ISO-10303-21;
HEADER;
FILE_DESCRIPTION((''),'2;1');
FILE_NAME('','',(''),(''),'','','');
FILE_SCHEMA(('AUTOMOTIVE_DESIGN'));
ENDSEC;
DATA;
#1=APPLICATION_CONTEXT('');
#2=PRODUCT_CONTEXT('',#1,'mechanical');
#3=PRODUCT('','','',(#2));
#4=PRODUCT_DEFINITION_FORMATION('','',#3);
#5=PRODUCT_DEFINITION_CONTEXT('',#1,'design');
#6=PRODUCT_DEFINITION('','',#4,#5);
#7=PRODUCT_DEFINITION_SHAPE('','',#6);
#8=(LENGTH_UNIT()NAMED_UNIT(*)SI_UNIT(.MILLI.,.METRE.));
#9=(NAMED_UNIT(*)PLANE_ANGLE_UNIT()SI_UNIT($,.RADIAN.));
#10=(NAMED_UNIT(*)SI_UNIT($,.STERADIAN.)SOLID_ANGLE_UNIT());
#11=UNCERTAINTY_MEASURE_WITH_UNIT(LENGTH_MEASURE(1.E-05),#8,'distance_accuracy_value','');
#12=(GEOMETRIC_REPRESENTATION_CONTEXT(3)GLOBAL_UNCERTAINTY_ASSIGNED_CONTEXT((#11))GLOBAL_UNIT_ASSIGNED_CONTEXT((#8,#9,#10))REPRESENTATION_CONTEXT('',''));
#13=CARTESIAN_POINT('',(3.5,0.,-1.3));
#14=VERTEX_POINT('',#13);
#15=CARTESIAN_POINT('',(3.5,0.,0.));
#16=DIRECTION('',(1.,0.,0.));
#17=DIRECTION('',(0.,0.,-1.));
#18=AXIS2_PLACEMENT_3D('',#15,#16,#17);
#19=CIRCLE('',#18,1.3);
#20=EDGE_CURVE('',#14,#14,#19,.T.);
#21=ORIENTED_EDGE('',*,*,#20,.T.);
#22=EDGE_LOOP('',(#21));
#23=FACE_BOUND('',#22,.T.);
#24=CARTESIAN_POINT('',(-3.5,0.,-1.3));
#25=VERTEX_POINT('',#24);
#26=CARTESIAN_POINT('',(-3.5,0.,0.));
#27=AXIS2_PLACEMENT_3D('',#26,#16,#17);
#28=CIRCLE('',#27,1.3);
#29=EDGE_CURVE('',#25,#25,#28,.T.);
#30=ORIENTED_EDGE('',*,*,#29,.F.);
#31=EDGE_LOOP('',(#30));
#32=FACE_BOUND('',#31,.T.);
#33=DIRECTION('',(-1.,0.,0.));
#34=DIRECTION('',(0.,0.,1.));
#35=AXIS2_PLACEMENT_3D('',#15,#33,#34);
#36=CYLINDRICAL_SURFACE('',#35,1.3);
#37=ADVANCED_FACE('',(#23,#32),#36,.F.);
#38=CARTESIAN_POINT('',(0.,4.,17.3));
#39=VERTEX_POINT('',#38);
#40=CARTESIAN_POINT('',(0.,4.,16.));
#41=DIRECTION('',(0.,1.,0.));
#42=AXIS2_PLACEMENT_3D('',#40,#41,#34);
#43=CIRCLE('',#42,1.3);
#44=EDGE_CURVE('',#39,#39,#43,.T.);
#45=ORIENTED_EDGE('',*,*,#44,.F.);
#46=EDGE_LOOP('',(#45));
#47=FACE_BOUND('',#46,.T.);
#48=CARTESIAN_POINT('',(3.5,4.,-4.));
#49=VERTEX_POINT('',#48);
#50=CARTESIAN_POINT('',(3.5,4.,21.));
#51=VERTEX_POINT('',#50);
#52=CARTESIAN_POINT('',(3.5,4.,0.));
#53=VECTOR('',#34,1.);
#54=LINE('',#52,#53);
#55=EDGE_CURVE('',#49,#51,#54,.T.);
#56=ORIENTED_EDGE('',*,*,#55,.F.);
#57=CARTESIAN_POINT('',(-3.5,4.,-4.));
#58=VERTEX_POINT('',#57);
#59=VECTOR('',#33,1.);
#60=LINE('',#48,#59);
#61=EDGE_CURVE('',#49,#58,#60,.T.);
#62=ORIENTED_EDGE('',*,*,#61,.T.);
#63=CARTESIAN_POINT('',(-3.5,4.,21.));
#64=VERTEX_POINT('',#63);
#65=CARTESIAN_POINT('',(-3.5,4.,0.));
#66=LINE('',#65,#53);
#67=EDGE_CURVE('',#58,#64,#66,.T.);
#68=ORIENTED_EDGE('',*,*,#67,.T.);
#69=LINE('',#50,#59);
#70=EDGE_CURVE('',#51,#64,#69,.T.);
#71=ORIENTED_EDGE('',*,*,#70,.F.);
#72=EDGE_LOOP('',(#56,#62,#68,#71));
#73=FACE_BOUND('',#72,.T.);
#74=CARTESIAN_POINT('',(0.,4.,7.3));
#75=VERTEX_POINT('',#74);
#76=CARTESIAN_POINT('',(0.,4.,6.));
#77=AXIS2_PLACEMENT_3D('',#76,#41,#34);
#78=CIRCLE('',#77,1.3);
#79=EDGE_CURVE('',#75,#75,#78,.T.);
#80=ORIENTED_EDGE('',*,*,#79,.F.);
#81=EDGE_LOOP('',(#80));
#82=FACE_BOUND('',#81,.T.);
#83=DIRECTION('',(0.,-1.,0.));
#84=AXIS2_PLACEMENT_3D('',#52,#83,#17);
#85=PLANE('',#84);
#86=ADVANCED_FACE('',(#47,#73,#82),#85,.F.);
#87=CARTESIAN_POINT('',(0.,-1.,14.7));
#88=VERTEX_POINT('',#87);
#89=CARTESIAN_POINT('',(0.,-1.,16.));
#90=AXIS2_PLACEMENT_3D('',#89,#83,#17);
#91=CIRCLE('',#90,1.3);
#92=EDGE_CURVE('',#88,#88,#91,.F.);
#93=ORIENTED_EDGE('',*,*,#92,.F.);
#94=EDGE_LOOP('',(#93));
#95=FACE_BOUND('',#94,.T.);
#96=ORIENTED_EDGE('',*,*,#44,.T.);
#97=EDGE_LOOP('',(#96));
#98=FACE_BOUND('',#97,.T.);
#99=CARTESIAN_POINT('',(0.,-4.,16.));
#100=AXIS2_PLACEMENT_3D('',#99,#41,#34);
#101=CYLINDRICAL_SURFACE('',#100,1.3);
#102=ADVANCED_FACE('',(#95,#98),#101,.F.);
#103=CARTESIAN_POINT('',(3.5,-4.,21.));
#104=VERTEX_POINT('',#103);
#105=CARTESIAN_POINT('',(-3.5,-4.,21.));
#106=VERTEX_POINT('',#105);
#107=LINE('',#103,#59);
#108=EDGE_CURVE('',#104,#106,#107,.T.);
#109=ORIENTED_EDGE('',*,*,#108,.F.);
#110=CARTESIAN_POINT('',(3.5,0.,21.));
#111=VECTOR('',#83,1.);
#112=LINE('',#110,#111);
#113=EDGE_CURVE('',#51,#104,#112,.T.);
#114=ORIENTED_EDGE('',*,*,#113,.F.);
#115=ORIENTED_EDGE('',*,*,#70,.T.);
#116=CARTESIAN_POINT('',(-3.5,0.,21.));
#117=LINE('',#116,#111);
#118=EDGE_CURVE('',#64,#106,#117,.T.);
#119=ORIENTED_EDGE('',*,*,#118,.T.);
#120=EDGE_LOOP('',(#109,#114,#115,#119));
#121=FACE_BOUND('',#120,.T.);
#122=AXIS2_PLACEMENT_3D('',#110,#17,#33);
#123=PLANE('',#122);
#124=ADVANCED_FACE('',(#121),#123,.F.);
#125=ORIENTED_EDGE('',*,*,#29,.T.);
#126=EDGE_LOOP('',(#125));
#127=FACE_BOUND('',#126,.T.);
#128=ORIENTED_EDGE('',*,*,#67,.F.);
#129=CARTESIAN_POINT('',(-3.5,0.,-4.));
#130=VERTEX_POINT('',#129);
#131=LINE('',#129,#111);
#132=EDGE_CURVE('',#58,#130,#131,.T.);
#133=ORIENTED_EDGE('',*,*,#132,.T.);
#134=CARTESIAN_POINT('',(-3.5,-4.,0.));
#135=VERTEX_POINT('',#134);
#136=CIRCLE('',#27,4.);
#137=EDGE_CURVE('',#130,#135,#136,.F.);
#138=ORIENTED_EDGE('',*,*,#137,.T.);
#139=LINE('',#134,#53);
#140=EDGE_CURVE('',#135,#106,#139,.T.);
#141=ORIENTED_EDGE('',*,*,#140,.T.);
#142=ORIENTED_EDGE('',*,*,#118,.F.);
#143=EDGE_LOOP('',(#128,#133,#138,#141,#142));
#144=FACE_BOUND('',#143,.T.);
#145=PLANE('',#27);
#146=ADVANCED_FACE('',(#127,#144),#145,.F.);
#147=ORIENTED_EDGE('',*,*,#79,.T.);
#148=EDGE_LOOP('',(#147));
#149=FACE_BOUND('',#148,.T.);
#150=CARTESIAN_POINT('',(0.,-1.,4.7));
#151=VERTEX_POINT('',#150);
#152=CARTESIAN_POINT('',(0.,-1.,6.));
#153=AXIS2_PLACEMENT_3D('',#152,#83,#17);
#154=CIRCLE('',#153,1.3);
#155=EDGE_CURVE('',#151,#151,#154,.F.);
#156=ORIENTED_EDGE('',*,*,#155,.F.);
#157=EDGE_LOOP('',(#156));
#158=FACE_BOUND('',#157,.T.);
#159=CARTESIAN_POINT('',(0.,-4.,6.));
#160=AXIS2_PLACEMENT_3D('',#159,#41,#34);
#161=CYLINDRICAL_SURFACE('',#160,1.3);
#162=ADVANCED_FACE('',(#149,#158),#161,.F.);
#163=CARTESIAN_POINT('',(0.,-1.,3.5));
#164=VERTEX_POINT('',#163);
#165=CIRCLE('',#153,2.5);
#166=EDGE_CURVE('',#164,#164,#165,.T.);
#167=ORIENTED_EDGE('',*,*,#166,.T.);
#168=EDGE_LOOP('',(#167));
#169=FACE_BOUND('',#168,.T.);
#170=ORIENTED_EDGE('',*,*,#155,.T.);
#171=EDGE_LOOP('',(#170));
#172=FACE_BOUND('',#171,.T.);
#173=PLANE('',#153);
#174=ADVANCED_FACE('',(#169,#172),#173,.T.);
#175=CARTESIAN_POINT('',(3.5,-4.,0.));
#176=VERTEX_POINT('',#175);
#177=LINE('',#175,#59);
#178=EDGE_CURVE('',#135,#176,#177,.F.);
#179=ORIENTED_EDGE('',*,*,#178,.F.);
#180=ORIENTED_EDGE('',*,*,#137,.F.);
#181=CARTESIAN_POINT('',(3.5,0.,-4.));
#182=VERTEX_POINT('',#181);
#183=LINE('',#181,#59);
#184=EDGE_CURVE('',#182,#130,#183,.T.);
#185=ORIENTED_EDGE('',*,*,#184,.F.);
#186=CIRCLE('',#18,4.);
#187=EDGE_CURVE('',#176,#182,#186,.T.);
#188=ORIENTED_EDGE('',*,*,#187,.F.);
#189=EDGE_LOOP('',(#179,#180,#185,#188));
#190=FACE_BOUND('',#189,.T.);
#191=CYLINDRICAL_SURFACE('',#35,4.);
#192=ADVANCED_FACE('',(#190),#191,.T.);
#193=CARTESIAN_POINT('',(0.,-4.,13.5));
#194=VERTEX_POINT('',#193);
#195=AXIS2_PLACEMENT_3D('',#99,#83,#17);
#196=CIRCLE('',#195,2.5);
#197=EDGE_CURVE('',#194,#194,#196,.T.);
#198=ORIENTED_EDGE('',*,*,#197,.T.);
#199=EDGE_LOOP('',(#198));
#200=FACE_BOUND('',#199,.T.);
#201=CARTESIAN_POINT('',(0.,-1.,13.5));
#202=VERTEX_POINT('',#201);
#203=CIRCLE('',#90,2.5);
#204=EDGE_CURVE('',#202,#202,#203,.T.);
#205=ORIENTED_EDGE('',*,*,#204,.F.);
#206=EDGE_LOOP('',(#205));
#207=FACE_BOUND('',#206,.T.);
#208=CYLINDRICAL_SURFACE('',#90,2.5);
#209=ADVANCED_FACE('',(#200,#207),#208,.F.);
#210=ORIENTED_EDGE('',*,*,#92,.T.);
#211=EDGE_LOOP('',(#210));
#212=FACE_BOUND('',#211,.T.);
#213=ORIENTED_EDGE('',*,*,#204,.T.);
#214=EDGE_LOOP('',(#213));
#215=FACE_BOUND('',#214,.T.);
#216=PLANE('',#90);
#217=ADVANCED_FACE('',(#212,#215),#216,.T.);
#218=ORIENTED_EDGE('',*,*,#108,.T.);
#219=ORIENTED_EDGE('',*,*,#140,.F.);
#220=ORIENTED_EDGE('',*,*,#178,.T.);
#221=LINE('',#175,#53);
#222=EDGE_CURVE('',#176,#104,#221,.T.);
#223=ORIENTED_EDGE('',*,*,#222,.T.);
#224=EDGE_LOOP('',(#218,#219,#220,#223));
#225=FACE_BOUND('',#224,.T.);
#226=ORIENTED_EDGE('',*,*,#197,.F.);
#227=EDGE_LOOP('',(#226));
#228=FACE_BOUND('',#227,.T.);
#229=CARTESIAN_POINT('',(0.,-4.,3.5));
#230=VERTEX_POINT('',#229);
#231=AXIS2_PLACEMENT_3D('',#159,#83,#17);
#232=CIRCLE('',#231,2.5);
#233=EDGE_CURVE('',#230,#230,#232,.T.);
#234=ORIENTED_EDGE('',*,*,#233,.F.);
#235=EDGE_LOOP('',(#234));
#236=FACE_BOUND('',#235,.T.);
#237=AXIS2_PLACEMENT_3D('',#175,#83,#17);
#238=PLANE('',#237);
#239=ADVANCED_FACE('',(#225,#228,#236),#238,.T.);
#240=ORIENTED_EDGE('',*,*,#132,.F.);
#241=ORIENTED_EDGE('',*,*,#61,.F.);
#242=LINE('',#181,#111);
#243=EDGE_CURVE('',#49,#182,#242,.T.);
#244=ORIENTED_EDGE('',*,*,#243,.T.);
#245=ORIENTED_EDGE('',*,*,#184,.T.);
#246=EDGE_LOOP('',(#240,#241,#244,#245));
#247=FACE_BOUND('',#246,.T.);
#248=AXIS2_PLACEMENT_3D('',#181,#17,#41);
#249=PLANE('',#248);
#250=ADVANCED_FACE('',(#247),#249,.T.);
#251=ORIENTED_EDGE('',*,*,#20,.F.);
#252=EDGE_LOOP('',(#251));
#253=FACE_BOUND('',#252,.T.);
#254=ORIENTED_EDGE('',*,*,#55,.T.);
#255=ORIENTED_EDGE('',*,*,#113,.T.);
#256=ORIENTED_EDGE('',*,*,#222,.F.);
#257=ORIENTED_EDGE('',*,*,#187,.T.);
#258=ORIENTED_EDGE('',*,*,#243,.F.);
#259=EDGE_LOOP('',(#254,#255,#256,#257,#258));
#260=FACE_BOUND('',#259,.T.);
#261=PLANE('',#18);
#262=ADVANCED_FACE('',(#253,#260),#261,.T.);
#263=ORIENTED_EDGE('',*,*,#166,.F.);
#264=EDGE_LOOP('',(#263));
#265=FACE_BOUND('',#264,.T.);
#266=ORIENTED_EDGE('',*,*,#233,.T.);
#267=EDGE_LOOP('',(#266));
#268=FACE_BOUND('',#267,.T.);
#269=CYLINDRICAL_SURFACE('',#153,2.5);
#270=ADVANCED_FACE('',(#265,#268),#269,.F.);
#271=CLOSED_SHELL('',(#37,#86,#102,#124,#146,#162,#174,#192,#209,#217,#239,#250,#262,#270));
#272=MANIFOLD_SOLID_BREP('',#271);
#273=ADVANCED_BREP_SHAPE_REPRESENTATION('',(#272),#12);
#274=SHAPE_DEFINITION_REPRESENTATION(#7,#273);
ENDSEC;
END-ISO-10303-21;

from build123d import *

# Parameters (mm, degrees)
SKETCH1_W           = 25
SKETCH1_H           = 8
SKETCH1_R           = 1.3
BOSS_EXTRUDE1_DEPTH = 3.5
FILLET1_R           = 4
SKETCH3_R           = 1.3
CUT_EXTRUDE6_DEPTH  = 9
SKETCH5_R           = 2.5
CUT_EXTRUDE7_DEPTH  = 3


with BuildPart() as part:
    # Sketch1 → Boss-Extrude1 (new body, symmetric)
    with BuildSketch(Plane(origin=(0, 0, 0), x_dir=(0, 0, -1), z_dir=(1, 0, 0))):
        with Locations((-8.5, 0)):
            Rectangle(SKETCH1_W, SKETCH1_H)
        Circle(SKETCH1_R, mode=Mode.SUBTRACT)
    extrude(amount=BOSS_EXTRUDE1_DEPTH, both=True)

    # Fillet1
    fillet1_edges = [part.edges().sort_by_distance(p)[0] for p in [
        (0, -4, -4),
    ]]
    fillet(fillet1_edges, radius=FILLET1_R)

    # Sketch3 → Cut-Extrude6 (cut, through all)
    with BuildSketch(Plane(origin=(0, 4, 0), x_dir=(1, 0, 0), z_dir=(0, 1, 0))):
        with Locations((0, -6)):
            Circle(SKETCH3_R)
        with Locations((0, -16)):
            Circle(SKETCH3_R)
    extrude(amount=-CUT_EXTRUDE6_DEPTH, mode=Mode.SUBTRACT)

    # Sketch5 → Cut-Extrude7 (cut)
    with BuildSketch(Plane.XZ.offset(4)):
        with Locations((0, 16)):
            Circle(SKETCH5_R)
        with Locations((0, 6)):
            Circle(SKETCH5_R)
    extrude(amount=-CUT_EXTRUDE7_DEPTH, mode=Mode.SUBTRACT)


solid = part.part
